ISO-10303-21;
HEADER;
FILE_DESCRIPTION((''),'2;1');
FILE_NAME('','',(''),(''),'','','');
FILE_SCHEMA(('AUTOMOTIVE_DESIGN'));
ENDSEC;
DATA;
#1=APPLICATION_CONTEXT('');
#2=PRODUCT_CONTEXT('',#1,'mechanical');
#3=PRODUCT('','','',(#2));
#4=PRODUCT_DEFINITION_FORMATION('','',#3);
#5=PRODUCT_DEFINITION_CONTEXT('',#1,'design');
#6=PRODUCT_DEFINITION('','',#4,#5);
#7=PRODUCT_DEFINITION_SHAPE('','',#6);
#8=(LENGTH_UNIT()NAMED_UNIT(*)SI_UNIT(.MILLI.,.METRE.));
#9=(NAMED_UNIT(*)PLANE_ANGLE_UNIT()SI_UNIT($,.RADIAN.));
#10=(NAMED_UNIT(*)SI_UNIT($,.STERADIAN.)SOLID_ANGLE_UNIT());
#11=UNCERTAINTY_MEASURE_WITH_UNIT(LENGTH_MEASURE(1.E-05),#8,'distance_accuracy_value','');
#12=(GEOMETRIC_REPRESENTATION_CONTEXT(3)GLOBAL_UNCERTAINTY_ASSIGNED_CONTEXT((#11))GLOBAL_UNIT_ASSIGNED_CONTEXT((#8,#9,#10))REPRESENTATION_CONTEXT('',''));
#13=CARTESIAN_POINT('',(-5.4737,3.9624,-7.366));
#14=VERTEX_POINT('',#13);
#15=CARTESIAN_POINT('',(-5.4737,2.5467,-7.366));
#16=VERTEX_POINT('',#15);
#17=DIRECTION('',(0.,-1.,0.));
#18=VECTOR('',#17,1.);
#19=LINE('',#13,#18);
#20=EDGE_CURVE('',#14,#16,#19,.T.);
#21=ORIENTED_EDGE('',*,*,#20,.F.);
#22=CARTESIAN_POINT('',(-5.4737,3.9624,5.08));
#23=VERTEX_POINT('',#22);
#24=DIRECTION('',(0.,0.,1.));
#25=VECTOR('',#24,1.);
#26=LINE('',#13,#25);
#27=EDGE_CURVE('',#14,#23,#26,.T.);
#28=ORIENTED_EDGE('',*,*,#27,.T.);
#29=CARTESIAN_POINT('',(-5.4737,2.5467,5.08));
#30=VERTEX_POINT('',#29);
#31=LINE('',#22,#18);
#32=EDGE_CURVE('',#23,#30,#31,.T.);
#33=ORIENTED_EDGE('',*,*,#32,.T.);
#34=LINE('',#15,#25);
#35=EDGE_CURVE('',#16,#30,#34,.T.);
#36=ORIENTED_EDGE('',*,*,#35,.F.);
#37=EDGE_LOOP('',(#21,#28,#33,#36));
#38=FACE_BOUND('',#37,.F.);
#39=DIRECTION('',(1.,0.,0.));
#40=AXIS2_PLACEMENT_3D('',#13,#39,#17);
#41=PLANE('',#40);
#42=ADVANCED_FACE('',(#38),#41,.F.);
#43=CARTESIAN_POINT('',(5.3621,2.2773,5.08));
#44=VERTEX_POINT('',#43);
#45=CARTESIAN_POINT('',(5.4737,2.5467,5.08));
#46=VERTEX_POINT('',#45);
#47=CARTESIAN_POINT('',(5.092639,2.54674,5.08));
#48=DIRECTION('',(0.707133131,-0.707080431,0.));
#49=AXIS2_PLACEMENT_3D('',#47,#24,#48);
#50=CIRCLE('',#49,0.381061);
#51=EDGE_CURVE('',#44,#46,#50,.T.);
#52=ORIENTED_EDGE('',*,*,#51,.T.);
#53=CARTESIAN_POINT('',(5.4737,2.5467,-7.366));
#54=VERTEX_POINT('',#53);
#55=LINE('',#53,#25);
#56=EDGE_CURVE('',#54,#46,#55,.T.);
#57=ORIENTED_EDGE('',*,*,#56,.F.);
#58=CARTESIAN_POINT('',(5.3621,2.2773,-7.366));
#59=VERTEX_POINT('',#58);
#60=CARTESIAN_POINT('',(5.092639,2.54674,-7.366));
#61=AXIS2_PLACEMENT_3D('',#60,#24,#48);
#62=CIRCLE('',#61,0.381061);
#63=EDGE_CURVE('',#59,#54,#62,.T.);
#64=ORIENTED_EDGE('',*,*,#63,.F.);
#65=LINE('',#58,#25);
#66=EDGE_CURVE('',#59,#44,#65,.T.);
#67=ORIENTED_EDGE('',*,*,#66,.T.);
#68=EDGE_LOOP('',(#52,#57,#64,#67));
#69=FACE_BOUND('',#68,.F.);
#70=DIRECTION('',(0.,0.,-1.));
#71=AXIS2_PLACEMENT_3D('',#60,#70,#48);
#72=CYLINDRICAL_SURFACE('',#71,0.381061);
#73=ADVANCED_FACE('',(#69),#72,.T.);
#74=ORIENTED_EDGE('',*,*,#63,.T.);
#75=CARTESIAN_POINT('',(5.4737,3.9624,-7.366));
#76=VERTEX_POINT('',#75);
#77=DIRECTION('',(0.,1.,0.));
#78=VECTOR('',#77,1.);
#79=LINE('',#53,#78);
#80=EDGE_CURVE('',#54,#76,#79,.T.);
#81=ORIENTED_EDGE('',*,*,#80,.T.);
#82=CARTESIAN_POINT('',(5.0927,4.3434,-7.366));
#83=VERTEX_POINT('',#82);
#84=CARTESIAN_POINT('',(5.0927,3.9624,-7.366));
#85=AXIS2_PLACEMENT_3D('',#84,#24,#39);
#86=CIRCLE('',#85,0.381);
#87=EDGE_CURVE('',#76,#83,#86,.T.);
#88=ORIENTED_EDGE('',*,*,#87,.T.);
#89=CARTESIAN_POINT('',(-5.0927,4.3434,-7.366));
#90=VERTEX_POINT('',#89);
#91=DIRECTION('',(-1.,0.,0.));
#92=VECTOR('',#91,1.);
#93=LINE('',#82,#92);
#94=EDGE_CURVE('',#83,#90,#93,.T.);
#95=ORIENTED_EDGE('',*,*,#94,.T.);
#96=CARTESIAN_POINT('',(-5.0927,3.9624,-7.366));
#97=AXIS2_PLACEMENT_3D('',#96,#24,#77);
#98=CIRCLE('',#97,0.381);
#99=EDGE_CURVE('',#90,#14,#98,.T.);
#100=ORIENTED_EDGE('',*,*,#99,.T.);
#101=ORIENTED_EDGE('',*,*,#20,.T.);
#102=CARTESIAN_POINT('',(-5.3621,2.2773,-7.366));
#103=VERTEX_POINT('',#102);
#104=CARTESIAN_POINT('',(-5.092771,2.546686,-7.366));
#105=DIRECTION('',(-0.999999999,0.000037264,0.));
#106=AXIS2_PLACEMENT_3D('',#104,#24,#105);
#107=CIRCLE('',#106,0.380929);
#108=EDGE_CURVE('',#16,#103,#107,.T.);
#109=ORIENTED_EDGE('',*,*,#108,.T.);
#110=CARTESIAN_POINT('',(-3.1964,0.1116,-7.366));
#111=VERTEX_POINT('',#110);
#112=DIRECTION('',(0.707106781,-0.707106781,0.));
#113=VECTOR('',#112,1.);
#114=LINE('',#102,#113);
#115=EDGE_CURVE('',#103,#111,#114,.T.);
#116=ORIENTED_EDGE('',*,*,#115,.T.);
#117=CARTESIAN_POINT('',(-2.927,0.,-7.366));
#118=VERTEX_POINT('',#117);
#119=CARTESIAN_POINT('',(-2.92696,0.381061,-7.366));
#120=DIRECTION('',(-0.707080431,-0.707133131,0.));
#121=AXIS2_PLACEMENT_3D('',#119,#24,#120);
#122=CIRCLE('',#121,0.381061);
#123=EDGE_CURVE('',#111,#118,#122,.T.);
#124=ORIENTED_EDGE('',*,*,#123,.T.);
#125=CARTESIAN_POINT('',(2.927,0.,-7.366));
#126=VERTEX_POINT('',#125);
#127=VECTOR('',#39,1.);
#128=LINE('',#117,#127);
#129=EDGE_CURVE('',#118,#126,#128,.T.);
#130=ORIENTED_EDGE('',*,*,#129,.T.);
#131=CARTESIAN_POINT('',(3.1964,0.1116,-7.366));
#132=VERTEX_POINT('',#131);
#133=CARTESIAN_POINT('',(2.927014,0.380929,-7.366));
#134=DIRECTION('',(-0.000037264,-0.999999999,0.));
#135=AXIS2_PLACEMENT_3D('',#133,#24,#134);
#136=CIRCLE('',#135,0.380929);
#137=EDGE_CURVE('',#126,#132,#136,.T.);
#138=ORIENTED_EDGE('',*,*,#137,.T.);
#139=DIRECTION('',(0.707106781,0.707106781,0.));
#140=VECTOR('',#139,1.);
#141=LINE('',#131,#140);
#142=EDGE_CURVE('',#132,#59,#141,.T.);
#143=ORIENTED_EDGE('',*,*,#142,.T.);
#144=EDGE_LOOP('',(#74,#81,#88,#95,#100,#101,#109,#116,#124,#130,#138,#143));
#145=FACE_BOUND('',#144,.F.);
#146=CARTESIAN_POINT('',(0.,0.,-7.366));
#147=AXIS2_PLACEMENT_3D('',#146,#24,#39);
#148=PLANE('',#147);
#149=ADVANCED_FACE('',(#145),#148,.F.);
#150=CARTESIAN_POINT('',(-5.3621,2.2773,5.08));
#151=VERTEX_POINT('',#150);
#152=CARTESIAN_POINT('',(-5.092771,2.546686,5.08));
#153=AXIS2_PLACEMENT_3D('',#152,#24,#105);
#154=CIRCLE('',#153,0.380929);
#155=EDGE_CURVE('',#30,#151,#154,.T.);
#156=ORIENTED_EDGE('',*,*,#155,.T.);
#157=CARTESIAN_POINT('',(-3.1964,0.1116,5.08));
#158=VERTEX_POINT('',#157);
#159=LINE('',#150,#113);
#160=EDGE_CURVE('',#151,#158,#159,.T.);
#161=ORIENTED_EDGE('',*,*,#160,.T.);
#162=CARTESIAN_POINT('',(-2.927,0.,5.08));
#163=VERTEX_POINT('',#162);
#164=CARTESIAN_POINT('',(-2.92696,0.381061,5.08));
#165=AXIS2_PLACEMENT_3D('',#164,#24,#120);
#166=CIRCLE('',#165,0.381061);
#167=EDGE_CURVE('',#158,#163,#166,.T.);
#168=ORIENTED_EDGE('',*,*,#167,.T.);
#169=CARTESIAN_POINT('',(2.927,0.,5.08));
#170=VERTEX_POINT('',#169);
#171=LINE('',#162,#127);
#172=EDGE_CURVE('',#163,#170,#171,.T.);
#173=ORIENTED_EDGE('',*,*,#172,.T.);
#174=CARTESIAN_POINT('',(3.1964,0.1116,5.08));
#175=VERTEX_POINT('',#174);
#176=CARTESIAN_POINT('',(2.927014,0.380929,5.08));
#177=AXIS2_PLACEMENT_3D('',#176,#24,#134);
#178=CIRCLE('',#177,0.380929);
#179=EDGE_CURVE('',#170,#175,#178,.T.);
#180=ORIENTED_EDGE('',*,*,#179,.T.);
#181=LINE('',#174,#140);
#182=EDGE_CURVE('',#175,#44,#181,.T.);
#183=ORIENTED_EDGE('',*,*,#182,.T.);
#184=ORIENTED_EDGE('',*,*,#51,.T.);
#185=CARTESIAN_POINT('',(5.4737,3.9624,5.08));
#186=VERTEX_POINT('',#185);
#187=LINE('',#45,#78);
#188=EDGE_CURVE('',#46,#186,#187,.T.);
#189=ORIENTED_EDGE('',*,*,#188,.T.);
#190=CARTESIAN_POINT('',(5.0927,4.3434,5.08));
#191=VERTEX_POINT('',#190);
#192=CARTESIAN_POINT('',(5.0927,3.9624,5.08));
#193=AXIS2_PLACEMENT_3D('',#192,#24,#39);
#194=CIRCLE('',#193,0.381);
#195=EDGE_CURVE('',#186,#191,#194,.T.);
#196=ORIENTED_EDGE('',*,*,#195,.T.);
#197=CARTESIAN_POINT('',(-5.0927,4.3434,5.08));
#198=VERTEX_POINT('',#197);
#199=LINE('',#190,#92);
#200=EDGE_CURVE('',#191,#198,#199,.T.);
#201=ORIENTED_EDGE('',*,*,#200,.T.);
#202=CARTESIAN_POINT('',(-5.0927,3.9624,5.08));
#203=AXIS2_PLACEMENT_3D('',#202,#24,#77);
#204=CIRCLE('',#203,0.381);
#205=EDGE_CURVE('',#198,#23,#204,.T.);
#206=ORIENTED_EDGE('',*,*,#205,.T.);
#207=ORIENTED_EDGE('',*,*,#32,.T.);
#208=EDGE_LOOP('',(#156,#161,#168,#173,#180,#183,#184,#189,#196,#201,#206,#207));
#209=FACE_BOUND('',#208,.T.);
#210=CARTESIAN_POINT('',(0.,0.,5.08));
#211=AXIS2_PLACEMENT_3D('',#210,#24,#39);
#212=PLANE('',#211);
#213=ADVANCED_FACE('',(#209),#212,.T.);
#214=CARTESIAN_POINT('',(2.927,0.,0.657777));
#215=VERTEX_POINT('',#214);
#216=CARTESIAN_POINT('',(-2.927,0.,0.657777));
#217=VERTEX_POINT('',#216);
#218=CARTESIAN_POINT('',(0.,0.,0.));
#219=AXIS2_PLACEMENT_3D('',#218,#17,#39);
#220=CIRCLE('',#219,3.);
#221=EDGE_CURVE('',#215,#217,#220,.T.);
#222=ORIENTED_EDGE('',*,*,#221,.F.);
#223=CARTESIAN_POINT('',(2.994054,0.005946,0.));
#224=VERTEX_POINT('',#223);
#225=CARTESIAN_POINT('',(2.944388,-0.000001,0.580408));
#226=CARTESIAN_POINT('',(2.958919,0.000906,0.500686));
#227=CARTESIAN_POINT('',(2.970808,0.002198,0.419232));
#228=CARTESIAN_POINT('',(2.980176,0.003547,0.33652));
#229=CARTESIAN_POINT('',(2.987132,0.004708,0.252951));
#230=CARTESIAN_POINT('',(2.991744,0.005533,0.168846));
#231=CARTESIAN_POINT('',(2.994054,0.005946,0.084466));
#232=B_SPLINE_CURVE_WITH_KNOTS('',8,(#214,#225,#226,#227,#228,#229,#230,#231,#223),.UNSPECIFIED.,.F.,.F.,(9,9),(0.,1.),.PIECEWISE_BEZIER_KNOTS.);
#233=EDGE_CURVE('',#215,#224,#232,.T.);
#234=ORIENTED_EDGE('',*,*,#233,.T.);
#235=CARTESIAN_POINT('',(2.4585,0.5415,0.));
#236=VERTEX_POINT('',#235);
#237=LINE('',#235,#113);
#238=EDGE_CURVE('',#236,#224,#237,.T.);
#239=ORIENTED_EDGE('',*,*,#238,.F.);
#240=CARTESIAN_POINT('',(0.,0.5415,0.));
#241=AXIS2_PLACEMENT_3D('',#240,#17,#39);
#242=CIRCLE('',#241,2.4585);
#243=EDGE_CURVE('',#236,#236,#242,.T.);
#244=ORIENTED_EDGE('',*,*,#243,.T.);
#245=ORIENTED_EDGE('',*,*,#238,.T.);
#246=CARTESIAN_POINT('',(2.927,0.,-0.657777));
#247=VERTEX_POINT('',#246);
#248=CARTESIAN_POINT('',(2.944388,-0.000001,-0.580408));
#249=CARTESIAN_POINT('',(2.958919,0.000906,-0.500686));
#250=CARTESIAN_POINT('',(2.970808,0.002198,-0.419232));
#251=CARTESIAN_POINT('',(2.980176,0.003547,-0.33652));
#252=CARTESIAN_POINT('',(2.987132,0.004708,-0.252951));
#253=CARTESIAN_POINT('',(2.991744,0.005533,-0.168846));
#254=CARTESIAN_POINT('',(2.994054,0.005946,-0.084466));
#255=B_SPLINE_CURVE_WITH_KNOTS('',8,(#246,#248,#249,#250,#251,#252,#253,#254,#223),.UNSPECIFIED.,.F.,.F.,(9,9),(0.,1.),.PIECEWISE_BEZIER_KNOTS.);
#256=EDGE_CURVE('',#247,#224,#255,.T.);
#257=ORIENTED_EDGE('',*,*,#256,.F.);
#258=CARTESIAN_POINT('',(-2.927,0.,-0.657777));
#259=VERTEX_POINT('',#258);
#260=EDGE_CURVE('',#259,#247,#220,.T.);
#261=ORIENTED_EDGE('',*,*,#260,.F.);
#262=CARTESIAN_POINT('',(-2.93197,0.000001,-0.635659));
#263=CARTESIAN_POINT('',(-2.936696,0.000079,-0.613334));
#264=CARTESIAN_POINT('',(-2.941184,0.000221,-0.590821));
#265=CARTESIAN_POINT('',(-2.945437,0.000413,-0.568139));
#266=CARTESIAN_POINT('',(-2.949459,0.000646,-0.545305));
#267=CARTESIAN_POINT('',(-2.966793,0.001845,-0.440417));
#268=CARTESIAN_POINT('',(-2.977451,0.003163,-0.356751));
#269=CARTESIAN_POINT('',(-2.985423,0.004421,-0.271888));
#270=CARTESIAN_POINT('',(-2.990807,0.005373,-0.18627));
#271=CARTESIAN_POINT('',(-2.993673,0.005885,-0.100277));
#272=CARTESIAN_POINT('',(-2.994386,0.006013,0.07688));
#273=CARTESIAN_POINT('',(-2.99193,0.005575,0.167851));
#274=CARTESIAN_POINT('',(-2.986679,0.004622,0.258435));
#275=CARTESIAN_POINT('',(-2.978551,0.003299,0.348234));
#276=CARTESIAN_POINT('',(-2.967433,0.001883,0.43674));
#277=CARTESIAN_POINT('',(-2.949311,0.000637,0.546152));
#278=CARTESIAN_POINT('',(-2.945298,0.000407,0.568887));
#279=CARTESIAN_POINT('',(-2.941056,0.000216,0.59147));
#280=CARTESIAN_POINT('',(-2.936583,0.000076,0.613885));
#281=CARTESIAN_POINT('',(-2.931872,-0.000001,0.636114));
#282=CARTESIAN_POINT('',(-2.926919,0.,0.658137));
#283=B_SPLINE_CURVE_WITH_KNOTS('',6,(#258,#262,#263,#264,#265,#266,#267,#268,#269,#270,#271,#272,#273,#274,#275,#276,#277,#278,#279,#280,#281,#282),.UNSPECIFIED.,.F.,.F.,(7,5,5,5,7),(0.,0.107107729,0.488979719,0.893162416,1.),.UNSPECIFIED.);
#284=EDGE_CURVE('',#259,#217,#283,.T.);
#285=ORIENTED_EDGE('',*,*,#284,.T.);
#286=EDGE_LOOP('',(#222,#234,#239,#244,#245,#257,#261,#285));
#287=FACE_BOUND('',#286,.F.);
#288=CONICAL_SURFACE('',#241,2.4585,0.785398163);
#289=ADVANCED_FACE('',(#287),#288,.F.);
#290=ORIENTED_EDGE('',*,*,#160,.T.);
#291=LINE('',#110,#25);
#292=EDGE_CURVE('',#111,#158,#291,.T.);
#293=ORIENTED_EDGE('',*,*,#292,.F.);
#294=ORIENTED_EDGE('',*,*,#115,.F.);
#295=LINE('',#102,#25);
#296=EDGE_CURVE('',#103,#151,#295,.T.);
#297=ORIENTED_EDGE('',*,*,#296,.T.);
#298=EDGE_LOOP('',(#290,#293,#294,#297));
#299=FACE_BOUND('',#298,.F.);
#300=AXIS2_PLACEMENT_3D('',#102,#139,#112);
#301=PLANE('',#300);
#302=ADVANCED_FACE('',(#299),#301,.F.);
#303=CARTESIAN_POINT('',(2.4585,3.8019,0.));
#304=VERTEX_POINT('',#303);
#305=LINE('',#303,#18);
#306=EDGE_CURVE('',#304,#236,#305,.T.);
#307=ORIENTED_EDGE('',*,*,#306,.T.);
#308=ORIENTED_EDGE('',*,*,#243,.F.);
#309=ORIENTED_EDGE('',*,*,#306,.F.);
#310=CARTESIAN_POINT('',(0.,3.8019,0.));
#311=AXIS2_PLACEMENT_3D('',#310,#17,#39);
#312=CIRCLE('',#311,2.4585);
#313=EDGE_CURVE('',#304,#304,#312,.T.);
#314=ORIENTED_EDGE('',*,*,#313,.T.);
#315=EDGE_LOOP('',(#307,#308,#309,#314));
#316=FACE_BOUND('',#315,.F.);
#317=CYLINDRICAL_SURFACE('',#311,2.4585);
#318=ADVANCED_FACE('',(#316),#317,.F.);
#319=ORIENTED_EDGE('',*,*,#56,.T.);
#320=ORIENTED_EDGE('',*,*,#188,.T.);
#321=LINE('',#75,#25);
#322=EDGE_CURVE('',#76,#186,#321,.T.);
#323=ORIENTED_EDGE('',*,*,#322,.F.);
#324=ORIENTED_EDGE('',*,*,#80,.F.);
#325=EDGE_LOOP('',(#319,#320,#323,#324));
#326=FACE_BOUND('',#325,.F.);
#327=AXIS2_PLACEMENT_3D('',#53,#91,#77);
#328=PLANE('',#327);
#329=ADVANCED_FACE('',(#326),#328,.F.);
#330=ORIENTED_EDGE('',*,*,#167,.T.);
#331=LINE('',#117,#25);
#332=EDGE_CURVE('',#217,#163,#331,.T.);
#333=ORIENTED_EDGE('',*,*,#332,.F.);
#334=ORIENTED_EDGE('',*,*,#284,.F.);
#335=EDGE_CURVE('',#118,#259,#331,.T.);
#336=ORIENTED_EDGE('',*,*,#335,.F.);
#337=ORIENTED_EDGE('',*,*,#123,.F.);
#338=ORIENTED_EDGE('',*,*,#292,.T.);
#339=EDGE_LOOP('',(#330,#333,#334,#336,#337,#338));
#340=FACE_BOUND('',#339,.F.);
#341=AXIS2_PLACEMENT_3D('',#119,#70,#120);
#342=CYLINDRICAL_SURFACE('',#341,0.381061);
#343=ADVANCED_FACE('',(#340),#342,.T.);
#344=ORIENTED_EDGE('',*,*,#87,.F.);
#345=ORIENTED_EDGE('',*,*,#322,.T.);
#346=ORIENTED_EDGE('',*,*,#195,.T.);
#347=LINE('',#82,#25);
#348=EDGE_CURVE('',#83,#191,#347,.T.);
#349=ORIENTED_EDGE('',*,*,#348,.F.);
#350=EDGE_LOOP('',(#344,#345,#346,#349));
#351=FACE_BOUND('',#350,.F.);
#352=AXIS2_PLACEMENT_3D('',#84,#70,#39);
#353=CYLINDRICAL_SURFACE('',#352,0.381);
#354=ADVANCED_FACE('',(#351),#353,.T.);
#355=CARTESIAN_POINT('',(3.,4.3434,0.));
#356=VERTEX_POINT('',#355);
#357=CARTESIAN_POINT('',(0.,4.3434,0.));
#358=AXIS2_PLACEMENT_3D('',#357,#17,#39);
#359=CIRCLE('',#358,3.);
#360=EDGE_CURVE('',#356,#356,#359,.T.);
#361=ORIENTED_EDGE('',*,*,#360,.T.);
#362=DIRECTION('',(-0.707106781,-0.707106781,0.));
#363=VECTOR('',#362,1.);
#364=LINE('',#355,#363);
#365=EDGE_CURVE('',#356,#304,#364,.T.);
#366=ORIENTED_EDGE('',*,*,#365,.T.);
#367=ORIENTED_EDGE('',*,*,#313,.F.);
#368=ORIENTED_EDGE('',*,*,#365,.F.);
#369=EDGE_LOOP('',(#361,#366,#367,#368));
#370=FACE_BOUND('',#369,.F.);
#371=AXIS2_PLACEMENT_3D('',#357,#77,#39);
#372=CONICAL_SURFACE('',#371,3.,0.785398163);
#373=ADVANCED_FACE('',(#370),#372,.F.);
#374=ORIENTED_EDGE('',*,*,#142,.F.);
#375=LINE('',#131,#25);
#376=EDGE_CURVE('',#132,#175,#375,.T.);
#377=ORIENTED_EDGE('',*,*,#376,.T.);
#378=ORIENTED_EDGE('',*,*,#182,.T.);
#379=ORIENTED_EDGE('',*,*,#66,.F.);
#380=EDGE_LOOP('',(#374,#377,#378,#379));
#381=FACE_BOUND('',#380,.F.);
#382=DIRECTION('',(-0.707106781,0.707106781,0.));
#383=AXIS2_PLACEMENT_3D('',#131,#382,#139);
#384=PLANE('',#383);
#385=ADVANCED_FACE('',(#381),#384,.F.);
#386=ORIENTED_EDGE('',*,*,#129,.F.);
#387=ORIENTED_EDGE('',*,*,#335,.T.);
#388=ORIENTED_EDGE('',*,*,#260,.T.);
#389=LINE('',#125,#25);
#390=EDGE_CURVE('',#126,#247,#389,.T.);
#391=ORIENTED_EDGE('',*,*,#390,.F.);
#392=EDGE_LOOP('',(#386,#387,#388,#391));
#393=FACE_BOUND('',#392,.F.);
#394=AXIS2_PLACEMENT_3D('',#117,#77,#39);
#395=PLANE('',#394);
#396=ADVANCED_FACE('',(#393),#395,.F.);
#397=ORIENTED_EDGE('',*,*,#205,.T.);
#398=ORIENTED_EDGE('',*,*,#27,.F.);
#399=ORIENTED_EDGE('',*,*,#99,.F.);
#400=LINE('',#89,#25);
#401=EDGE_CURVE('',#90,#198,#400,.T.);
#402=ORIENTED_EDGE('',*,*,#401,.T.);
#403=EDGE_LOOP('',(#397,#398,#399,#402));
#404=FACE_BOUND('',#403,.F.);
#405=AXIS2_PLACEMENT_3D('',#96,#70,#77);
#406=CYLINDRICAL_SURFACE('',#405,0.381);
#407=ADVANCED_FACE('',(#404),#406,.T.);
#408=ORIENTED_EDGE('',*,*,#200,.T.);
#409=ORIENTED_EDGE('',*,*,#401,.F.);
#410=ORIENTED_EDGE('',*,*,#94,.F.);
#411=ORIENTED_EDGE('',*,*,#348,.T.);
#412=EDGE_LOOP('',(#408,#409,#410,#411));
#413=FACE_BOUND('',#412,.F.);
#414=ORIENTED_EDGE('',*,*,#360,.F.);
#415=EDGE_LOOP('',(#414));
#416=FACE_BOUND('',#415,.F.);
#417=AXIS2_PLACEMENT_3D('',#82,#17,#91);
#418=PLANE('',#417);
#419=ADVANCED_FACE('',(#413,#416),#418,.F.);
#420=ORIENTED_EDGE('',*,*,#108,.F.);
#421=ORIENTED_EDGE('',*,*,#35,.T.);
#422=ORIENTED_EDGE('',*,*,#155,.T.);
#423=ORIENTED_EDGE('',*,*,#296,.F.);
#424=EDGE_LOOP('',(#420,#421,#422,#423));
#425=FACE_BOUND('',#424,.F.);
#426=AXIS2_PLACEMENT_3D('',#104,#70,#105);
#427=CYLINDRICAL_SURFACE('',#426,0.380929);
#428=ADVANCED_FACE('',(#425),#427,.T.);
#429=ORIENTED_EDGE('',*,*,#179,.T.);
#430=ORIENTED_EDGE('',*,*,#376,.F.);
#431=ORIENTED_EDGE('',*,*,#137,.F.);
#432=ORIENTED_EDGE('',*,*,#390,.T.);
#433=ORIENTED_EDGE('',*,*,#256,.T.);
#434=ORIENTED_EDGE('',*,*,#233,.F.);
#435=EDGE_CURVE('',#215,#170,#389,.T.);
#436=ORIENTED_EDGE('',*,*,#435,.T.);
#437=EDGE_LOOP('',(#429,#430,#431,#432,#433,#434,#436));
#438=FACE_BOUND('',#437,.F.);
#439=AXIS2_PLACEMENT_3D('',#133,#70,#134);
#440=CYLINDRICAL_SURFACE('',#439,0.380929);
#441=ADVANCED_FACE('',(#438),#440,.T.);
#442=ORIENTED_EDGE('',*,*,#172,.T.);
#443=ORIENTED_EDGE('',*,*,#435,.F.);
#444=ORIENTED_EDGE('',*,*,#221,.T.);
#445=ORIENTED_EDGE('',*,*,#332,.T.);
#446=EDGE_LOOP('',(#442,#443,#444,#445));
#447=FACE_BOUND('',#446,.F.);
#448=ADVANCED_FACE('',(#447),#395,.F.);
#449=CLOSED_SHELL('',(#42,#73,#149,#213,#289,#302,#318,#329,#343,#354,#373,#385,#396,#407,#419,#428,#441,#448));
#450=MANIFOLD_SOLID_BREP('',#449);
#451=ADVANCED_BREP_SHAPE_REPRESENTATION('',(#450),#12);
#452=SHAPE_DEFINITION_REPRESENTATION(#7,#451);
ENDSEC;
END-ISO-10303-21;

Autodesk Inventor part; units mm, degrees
sketch "Sketch_1" plane through (0, 0, -7.366) normal (0, 0, 1) x (1, 0, 0)
  line L0 (-5.4737, 3.9624) -> (-5.4737, 2.5467)
  arc A0 (-5.4737, 2.5467) -> (-5.3621, 2.2773) centre (-5.0927, 2.5467) ccw
  line L1 (-5.3621, 2.2773) -> (-3.1964, 0.1116)
  arc A1 (-3.1964, 0.1116) -> (-2.927, 0) centre (-2.927, 0.381) ccw
  line L2 (-2.927, 0) -> (2.927, 0)
  arc A2 (2.927, 0) -> (3.1964, 0.1116) centre (2.927, 0.381) ccw
  line L3 (3.1964, 0.1116) -> (5.3621, 2.2773)
  arc A3 (5.3621, 2.2773) -> (5.4737, 2.5467) centre (5.0927, 2.5467) ccw
  line L4 (5.4737, 2.5467) -> (5.4737, 3.9624)
  arc A4 (5.4737, 3.9624) -> (5.0927, 4.3434) centre (5.0927, 3.9624) ccw
  line L5 (5.0927, 4.3434) -> (-5.0927, 4.3434)
  arc A5 (-5.0927, 4.3434) -> (-5.4737, 3.9624) centre (-5.0927, 3.9624) ccw
extrude "Extrusion1" add sketch "Sketch_1" along normal blind 12.446
sketch "Sketch_4" plane through (0, 0, 0) normal (0, 0, 1) x (1, 0, 0)
  line L0 (0, 0) -> (0, 4.3434)
  line L1 (0, 4.3434) -> (3, 4.3434)
  line L2 (3, 4.3434) -> (2.4585, 3.8019)
  line L3 (2.4585, 3.8019) -> (2.4585, 0.5415)
  line L4 (2.4585, 0.5415) -> (3, 0)
  line L5 (3, 0) -> (0, 0)
  line L6 (0, 0) -> (0, 4.3434)
revolve "Revolution1" cut sketch "Sketch_4" angle 360 about axis through (0, 0, 0) along (0, -1, 0)
thread "Thread1" size "M6x1" class "6H" standard "ISO Metric profile" full length
ref_plane "tnut_XY" through (0, 4.3434, 0) normal (0, 1, 0) x (1, 0, 0)
ref_plane "tnut_YZ" through (0, 4.3434, 0) normal (1, 0, 0) x (0, 0, -1)
ref_plane "tnut_ZX" through (0, 4.3434, 0) normal (0, 0, -1) x (0, 1, 0)
properties part number "25-1964"
